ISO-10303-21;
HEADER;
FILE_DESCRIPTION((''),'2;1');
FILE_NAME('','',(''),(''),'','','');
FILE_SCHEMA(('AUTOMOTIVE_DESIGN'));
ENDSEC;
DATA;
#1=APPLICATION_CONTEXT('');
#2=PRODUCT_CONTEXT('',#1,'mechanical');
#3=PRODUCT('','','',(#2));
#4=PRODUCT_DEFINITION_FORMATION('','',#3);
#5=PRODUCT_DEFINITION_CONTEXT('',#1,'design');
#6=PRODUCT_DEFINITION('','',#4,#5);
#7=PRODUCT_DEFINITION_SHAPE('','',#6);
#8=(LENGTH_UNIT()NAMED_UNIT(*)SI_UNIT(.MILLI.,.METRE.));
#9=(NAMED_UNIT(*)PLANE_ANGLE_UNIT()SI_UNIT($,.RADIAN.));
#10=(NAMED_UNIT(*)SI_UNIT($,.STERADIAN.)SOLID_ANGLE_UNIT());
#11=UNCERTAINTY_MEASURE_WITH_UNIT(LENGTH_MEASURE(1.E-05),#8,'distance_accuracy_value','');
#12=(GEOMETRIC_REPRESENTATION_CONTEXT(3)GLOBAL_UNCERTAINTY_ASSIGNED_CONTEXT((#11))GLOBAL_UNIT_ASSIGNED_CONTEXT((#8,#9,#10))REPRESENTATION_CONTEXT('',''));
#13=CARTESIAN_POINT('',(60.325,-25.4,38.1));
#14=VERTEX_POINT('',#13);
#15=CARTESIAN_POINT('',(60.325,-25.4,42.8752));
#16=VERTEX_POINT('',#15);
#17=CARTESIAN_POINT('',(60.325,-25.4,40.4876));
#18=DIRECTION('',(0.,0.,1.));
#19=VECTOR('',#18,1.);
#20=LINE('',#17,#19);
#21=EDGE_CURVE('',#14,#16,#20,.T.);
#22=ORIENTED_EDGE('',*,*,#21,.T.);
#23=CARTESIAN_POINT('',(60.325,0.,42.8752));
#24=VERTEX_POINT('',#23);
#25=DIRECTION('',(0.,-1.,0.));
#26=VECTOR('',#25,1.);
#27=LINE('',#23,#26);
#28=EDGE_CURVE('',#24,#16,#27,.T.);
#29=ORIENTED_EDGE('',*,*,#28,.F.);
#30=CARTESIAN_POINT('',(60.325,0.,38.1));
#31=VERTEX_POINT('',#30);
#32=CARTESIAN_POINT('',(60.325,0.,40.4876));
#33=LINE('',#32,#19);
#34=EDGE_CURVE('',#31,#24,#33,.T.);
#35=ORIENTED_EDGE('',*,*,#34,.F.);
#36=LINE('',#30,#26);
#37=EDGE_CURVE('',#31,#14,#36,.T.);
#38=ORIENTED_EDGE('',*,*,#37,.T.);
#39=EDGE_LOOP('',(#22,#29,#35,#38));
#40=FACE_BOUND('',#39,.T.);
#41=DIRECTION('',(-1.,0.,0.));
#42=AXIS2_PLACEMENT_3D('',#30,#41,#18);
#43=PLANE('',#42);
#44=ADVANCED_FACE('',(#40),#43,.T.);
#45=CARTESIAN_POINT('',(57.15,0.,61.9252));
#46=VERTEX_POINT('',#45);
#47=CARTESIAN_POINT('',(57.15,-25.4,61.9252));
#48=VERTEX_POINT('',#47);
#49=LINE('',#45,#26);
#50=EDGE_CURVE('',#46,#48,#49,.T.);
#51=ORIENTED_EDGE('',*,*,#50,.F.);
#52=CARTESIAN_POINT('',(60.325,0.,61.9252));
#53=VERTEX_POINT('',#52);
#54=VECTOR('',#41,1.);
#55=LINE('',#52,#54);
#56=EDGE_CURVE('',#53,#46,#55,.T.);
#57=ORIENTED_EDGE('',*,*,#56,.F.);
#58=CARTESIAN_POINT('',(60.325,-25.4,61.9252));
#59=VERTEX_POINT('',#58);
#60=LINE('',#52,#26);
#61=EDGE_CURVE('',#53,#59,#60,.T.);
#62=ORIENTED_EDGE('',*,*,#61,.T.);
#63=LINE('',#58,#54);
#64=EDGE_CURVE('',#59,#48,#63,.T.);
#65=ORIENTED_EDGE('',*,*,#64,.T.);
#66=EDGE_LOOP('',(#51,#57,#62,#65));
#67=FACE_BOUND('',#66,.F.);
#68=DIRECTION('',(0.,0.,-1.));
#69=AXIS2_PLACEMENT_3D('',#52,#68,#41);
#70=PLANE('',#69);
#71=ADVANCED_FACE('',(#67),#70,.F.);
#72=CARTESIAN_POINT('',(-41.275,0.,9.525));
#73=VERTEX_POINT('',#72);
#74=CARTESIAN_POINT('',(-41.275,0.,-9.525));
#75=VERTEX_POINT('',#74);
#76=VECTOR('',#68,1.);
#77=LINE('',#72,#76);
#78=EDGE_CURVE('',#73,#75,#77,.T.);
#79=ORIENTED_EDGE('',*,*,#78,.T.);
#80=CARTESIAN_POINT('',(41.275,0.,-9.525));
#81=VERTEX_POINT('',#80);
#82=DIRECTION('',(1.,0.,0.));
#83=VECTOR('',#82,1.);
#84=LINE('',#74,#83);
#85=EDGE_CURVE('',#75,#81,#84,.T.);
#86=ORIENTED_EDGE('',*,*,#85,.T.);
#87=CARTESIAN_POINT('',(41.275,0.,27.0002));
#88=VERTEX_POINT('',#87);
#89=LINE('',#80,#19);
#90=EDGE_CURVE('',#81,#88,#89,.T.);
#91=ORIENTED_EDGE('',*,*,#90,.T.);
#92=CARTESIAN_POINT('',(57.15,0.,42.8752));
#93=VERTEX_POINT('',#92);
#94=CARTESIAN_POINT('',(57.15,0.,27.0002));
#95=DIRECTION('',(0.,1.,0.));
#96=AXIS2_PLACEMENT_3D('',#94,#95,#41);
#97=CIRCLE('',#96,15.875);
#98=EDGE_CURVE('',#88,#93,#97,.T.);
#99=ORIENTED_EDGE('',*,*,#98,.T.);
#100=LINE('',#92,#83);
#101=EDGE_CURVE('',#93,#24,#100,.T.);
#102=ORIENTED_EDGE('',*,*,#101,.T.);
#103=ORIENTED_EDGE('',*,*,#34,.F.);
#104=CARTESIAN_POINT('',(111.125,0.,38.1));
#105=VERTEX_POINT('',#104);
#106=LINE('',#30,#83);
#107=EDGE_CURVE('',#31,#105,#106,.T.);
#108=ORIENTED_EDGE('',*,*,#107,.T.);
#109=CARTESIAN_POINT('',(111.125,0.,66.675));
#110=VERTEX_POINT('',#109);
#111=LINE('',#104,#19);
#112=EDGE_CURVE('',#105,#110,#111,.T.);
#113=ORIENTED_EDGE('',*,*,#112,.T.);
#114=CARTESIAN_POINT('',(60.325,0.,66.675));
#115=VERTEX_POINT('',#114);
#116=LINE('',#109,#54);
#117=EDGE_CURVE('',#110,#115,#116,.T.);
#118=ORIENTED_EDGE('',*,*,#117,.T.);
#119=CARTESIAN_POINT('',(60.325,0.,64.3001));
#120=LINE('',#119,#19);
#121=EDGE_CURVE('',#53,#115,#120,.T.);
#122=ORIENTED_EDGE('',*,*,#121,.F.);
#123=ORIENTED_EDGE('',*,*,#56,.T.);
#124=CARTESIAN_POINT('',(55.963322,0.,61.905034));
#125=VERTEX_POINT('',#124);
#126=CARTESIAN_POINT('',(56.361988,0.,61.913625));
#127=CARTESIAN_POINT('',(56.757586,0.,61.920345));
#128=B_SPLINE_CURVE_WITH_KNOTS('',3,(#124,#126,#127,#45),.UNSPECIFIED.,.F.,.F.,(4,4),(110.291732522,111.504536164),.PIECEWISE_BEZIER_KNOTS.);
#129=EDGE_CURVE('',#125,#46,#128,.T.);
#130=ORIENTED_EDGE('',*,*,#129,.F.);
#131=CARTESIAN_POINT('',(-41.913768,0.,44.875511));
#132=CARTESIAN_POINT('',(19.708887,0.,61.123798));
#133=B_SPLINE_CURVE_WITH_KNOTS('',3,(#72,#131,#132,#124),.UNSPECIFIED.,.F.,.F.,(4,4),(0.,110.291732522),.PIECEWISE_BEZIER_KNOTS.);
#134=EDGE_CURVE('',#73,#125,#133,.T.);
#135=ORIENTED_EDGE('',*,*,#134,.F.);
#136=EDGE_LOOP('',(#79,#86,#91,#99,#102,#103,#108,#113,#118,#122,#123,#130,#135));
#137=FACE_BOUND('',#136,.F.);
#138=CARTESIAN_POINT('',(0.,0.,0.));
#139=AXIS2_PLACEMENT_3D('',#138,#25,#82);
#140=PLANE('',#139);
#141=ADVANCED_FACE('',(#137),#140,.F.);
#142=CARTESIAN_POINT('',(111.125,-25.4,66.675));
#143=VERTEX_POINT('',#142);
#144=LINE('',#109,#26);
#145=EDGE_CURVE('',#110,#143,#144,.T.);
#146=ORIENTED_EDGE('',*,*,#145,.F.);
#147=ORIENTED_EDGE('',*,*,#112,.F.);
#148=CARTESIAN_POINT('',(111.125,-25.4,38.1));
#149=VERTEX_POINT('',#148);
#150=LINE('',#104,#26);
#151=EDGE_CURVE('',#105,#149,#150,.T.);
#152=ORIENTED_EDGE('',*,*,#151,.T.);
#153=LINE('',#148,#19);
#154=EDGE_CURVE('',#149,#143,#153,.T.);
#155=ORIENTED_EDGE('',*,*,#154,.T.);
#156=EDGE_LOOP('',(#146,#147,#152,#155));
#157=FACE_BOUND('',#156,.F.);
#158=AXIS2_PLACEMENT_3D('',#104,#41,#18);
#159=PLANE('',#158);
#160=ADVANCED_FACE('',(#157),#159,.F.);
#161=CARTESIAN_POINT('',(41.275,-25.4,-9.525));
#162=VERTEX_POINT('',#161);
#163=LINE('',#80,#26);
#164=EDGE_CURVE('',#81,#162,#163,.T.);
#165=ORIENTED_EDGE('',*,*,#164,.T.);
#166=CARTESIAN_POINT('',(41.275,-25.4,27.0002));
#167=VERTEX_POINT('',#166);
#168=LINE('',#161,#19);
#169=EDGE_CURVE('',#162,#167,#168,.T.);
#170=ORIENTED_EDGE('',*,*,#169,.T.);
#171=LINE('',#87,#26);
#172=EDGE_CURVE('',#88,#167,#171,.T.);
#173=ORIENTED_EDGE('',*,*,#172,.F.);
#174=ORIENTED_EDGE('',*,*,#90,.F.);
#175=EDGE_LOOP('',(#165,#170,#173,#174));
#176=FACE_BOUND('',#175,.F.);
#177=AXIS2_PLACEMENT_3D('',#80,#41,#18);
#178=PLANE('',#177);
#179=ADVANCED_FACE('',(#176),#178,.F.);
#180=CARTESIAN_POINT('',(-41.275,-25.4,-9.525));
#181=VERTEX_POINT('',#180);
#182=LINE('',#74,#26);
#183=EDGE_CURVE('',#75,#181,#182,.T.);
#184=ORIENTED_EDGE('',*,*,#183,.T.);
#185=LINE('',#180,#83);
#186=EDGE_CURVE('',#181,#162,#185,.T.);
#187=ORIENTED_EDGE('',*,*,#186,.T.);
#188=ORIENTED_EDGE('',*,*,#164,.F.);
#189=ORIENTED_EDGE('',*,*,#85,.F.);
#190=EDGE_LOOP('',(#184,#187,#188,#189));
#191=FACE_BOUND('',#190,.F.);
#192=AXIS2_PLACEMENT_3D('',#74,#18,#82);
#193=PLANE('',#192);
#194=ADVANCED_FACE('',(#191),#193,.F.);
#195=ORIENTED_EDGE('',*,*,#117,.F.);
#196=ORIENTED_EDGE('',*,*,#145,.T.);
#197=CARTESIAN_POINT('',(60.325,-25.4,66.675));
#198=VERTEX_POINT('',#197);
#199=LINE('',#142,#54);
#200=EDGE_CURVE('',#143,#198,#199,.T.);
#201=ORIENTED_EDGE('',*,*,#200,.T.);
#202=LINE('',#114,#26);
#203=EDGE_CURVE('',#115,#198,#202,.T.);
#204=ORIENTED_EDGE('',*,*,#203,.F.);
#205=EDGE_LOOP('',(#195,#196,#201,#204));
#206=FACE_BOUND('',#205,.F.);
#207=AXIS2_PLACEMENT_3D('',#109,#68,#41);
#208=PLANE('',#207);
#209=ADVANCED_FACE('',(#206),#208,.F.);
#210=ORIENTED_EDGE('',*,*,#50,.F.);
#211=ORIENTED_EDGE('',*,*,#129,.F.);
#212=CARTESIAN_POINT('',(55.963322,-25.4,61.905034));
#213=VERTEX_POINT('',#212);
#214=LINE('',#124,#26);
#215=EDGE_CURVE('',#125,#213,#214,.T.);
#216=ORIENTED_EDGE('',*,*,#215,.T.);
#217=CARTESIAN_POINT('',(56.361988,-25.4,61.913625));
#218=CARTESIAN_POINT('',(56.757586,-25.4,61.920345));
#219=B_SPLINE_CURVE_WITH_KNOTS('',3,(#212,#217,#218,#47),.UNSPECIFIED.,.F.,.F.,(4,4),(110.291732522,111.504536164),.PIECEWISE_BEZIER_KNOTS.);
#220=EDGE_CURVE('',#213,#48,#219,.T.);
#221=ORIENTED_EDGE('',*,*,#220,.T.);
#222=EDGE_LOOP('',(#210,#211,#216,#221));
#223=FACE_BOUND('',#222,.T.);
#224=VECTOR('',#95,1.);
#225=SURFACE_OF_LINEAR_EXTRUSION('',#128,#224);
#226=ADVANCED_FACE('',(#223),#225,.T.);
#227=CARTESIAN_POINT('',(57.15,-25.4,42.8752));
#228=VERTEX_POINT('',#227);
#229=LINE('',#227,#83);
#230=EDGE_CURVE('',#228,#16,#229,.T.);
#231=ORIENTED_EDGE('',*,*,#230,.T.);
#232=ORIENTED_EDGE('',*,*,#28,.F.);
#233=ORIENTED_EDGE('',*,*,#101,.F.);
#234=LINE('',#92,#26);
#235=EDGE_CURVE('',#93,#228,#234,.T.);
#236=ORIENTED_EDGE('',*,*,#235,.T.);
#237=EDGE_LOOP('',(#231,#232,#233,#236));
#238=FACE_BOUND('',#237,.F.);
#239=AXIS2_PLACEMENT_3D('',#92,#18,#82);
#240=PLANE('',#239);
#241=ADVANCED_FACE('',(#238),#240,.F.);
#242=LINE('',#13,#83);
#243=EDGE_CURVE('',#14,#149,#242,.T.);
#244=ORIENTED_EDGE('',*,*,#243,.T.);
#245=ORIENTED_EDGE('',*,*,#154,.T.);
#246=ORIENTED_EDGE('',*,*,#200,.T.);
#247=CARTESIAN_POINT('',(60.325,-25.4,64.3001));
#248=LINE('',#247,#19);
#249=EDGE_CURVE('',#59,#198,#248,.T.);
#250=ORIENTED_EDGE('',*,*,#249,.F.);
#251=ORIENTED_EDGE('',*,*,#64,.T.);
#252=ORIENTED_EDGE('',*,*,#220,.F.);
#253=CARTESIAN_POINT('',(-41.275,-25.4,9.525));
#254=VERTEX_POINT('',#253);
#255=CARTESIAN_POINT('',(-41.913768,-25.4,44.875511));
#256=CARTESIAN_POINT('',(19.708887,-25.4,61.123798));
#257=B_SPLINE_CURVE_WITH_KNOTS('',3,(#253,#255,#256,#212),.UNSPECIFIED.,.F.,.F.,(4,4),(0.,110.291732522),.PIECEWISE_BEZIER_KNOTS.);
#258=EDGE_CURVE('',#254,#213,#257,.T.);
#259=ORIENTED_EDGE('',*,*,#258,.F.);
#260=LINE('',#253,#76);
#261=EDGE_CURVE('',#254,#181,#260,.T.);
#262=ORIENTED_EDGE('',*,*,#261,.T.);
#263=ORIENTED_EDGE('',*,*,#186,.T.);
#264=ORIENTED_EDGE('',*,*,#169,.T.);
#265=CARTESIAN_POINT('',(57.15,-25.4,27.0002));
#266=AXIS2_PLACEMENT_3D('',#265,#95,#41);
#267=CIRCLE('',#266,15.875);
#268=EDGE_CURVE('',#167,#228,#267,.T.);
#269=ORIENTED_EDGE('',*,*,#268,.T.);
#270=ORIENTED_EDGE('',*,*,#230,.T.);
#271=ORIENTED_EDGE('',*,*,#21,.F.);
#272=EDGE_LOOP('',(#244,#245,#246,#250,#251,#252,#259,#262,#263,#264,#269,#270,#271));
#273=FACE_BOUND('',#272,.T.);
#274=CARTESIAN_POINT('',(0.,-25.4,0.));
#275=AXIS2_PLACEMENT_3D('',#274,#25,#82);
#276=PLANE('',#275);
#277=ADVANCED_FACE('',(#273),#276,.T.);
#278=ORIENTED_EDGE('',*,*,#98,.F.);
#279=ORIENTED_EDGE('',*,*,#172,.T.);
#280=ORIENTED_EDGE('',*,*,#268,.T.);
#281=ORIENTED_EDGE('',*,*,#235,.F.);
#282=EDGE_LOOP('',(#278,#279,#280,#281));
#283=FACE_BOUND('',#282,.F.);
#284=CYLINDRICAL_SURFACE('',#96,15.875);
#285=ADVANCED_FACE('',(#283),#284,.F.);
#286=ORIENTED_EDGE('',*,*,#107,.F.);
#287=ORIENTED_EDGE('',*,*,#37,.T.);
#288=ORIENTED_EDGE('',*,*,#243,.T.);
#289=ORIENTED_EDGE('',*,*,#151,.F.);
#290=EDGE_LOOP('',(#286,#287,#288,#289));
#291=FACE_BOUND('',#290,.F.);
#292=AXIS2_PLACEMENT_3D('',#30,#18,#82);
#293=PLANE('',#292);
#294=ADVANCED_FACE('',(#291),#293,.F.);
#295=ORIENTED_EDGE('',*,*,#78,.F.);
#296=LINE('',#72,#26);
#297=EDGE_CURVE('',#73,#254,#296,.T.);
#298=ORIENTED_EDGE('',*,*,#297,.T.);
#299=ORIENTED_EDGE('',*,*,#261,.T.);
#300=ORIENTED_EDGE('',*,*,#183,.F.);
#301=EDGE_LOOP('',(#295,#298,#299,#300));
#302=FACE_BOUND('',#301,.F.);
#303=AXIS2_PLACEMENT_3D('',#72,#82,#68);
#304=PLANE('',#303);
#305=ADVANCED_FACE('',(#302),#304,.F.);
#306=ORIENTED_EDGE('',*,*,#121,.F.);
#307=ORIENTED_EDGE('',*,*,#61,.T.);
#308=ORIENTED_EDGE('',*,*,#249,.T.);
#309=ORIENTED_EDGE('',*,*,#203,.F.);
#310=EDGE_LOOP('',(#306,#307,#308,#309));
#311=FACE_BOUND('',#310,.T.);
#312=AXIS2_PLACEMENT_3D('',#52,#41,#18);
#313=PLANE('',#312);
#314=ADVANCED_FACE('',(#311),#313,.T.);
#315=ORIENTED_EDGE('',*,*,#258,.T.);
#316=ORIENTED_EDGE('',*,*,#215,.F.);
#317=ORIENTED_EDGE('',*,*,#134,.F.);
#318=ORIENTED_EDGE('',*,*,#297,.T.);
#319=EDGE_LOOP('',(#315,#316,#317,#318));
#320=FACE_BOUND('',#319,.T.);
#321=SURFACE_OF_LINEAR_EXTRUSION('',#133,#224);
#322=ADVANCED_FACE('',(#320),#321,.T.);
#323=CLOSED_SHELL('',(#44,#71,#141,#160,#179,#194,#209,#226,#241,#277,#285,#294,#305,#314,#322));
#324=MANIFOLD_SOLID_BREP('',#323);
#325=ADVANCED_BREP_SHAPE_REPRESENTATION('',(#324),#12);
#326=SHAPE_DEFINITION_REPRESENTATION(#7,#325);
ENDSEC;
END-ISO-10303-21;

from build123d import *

# Parameters (mm, degrees)
F0_W     = 25.4
F0_H     = 4.7498
F0_H_2   = 4.7752
F0_H_3   = 19.05
F1_DEPTH = 25.4


with BuildPart() as f1:
    # F0 (on Front) → F1 (new body)
    with BuildSketch(Plane.XZ):
        Polygon((-41.275, 9.525), (-41.275, -9.525), (41.275, -9.525), (41.275, 9.525), (22.225, 9.525), align=None)
        with BuildLine():
            add(Edge.make_bspline(
                [(-41.275, 9.525), (-41.9137682091, 44.8755109518), (19.7088872763, 61.1237978396), (55.9633224652, 61.9050337831)],
                knots=[0, 0, 0, 0, 110.2917325218, 110.2917325218, 110.2917325218, 110.2917325218], degree=3))
            Line((-41.275, 9.525), (22.225, 9.525))
            Line((22.225, 9.525), (22.225, 27.0002))
            ThreePointArc((22.225, 27.0002), (32.0382463983, 51.2727247152), (55.9633224652, 61.9050337831))
        make_face()
        with Locations((73.025, 64.3001)):
            Rectangle(F0_W, F0_H)
        with Locations((73.025, 40.4876)):
            Rectangle(F0_W, F0_H_2)
        Polygon((85.725, 66.675), (85.725, 61.9252), (85.725, 42.8752), (85.725, 38.1), (111.125, 38.1), (111.125, 66.675), align=None)
        with BuildLine():
            Line((22.225, 9.525), (41.275, 9.525))
            Line((41.275, 9.525), (41.275, 27.0002))
            ThreePointArc((41.275, 27.0002), (45.9246798487, 38.2255201513), (57.15, 42.8752))
            Line((57.15, 42.8752), (60.325, 42.8752))
            Line((60.325, 42.8752), (60.325, 61.9252))
            Line((60.325, 61.9252), (57.15, 61.9252))
            add(Edge.make_bspline(
                [(55.9633224652, 61.9050337831), (56.3619879863, 61.9136245068), (56.757586004, 61.9203449679), (57.15, 61.9252)],
                knots=[110.2917325218, 110.2917325218, 110.2917325218, 110.2917325218, 111.5045361635, 111.5045361635, 111.5045361635, 111.5045361635], degree=3))
            ThreePointArc((55.9633224652, 61.9050337831), (32.0382463983, 51.2727247152), (22.225, 27.0002))
            Line((22.225, 27.0002), (22.225, 9.525))
        make_face()
        with Locations((73.025, 52.4002)):
            Rectangle(F0_W, F0_H_3)
    extrude(amount=F1_DEPTH)


solid = f1.part
